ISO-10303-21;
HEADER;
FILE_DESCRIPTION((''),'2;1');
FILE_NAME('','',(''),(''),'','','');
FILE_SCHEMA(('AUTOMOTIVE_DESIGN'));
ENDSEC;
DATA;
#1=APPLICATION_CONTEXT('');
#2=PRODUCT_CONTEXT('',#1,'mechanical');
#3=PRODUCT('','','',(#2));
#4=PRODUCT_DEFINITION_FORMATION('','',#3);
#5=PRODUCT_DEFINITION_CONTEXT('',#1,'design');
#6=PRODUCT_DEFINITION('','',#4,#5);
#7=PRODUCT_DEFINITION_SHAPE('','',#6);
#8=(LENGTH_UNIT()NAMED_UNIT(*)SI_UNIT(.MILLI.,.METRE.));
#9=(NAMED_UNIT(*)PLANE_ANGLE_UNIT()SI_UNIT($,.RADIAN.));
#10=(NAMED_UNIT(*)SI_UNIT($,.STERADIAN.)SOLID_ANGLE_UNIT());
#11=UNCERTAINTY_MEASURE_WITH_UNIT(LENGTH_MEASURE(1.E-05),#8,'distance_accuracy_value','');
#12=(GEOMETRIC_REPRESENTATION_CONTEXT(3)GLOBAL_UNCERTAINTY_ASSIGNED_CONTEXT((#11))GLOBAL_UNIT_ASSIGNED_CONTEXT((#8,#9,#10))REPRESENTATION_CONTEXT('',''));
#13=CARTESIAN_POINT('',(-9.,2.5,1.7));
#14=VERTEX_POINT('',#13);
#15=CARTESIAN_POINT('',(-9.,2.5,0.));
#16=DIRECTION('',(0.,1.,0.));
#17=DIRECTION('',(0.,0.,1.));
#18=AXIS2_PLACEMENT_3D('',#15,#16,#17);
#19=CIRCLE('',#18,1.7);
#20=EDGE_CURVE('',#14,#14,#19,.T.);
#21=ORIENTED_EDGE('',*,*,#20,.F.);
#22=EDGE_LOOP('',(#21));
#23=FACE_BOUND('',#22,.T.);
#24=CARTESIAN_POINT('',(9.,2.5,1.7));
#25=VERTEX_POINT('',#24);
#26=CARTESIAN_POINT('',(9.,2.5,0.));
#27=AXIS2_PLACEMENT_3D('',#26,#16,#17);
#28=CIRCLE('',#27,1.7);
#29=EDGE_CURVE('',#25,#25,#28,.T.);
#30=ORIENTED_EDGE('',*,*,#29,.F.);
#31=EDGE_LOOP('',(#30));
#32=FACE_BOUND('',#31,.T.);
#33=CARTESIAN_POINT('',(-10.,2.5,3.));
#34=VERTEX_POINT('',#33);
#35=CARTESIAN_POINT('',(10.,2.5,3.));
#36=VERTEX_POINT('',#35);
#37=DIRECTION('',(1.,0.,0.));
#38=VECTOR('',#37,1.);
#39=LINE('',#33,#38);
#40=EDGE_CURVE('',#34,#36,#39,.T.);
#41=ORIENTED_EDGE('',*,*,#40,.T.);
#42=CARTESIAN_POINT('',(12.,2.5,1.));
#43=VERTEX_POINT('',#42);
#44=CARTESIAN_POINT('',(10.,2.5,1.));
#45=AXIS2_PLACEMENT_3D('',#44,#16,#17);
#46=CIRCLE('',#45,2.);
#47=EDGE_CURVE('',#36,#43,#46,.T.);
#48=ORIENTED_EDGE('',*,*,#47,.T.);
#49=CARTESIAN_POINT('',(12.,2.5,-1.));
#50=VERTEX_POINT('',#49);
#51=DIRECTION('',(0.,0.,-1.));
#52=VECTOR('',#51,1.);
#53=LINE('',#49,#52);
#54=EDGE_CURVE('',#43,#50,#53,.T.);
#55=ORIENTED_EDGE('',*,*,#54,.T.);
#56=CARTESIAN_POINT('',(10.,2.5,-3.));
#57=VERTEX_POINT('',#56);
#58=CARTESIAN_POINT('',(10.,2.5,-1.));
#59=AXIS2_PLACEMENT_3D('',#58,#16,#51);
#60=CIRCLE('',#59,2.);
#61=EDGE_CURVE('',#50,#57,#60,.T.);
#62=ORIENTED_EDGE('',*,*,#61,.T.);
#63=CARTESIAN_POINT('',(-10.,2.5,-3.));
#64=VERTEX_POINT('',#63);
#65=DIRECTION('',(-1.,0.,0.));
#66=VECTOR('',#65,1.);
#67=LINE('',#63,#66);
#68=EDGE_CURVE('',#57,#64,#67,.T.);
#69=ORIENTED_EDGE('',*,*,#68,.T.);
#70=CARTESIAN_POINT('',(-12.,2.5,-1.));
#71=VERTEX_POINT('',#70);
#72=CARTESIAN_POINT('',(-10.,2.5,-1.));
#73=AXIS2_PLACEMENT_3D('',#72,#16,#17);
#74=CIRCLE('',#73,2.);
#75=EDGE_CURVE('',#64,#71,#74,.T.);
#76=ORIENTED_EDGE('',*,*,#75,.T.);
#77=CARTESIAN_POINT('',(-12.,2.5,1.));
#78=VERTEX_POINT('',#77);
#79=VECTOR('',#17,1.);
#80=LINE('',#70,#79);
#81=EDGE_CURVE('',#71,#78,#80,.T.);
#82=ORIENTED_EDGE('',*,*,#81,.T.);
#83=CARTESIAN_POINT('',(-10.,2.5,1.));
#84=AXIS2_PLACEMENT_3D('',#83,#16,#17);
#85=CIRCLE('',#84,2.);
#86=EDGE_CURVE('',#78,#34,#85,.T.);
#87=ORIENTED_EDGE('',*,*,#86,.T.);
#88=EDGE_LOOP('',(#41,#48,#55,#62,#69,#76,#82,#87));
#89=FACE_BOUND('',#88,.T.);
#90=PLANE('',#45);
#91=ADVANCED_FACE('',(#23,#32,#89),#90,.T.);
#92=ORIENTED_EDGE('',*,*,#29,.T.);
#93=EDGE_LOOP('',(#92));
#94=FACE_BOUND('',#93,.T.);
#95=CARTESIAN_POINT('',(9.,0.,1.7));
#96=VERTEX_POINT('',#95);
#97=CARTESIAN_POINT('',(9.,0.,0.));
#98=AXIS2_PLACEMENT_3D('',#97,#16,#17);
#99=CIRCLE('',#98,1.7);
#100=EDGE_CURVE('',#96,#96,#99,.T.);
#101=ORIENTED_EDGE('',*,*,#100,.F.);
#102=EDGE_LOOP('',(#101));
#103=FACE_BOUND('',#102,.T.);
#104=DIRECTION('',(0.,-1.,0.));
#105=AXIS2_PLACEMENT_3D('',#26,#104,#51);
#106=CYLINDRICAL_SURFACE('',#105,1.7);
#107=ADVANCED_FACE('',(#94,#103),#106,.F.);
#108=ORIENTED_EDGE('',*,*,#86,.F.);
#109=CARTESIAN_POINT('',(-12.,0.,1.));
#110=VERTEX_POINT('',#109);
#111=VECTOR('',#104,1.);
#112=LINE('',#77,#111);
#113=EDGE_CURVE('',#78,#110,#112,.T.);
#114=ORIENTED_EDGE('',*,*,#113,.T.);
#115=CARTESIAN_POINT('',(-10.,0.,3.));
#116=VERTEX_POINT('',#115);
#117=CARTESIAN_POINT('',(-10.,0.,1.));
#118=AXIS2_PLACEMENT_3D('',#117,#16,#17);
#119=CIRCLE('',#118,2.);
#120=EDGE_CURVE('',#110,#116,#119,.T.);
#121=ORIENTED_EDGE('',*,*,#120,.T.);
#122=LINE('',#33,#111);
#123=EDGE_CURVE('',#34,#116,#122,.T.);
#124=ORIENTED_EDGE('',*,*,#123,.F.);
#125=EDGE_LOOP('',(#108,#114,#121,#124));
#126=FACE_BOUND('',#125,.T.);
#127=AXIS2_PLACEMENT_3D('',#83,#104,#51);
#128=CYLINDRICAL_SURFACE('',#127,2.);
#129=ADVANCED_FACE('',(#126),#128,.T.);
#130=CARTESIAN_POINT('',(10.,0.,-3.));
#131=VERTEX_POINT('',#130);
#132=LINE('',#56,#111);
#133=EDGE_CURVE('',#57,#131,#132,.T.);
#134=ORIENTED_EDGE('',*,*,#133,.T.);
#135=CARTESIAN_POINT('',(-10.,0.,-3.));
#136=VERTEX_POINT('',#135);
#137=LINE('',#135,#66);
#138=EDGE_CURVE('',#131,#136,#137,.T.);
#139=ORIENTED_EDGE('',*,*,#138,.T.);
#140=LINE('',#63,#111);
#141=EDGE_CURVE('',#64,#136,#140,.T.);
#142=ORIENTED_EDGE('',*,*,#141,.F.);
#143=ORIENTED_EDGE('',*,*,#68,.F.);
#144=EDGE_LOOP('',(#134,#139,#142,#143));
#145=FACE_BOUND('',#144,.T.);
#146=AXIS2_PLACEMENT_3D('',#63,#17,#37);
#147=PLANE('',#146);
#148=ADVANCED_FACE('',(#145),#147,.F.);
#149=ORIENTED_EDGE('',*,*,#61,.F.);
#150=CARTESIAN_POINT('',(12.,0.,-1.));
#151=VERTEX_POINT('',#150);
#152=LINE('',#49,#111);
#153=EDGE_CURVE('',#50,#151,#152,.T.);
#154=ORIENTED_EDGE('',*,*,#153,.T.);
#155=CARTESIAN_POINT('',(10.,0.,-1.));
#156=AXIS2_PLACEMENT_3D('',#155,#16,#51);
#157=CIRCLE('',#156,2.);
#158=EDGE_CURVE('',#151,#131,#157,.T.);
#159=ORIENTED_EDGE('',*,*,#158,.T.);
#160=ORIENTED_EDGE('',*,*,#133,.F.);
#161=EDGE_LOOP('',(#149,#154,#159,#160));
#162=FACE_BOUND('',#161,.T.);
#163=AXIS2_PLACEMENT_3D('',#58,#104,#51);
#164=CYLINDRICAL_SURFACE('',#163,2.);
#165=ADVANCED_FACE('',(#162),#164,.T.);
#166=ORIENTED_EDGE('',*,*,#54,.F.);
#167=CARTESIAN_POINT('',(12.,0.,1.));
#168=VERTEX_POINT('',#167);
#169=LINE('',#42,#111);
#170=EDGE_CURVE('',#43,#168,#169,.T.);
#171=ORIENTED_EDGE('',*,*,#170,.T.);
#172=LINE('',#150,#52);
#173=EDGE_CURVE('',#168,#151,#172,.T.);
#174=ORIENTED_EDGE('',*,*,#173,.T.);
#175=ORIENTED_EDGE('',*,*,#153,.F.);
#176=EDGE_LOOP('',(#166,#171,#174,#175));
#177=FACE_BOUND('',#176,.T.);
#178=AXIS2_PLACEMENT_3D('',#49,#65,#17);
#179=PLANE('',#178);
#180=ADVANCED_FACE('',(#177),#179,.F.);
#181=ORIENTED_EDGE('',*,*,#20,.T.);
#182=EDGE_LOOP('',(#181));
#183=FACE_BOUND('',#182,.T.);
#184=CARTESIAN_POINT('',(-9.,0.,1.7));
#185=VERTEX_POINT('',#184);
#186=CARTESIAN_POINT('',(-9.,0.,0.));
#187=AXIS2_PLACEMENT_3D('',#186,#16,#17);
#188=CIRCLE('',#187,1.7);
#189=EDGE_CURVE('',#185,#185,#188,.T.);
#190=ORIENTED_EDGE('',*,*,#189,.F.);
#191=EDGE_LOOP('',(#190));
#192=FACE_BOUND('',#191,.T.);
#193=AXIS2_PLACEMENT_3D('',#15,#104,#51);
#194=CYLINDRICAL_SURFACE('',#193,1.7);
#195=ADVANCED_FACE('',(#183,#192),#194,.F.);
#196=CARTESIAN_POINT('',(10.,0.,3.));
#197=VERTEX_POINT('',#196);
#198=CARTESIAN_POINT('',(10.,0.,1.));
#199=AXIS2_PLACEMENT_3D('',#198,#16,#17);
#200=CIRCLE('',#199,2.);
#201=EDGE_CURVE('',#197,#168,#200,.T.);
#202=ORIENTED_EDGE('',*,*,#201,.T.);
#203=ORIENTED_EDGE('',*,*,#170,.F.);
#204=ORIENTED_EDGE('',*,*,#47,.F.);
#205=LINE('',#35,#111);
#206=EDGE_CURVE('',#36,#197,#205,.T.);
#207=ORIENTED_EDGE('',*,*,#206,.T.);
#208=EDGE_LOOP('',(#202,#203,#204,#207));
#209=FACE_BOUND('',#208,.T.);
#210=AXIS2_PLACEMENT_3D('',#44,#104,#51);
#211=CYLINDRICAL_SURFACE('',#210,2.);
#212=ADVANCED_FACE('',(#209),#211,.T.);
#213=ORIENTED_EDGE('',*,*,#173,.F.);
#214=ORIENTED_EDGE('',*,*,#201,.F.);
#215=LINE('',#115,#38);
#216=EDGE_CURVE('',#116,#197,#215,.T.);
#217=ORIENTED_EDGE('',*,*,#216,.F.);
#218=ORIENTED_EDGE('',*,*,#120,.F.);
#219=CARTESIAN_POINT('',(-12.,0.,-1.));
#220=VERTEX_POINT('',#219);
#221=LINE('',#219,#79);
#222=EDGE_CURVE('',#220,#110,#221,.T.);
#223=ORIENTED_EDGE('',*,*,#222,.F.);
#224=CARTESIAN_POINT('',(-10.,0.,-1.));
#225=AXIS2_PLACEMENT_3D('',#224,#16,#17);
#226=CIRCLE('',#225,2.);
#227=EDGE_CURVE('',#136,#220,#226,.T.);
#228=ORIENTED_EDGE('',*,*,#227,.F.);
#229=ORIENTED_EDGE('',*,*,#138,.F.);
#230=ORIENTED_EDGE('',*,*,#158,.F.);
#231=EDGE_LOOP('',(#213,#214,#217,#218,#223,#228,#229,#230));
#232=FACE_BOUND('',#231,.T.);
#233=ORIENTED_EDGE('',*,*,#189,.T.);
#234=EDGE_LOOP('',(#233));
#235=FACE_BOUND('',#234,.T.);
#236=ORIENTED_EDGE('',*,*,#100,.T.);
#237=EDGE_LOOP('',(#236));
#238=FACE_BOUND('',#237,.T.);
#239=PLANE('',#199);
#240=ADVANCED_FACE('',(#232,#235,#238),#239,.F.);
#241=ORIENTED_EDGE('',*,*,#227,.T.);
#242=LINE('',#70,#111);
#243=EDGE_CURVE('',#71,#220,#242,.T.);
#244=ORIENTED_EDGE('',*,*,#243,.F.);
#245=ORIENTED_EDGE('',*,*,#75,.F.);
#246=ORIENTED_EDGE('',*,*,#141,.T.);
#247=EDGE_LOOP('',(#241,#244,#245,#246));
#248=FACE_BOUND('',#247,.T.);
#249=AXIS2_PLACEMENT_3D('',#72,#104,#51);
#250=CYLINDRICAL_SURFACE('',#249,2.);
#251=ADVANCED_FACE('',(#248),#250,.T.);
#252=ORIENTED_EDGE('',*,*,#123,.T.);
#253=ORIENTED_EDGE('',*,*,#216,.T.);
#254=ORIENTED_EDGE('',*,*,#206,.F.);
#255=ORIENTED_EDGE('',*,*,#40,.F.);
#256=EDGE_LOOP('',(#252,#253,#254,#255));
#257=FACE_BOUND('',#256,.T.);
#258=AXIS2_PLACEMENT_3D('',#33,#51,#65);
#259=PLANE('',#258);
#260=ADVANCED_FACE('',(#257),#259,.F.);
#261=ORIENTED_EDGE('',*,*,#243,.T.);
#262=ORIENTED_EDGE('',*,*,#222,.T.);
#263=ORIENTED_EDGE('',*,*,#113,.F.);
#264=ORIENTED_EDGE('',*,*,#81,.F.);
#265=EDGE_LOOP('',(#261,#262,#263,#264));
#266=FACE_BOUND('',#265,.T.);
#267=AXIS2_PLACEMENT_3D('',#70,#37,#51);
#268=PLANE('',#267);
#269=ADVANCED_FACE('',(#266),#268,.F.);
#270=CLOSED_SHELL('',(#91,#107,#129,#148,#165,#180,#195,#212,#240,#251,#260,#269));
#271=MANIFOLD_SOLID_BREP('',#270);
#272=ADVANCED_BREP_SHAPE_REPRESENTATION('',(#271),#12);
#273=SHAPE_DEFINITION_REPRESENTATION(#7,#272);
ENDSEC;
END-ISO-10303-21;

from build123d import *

# Parameters (mm, degrees)
SKETCH_1_R      = 1.7
EXTRUDE_1_DEPTH = 2.5


with BuildPart() as part:
    # 草图1 → 凸台-拉伸1 (new body)
    with BuildSketch(Plane(origin=(0, 0, 0), x_dir=(1, 0, 0), z_dir=(0, 1, 0))):
        with BuildLine():
            Line((-10, 3), (10, 3))
            ThreePointArc((10, 3), (11.414213562, 2.414213562), (12, 1))
            Line((12, 1), (12, -1))
            ThreePointArc((12, -1), (11.414213562, -2.414213562), (10, -3))
            Line((10, -3), (-10, -3))
            ThreePointArc((-10, -3), (-11.414213562, -2.414213562), (-12, -1))
            Line((-12, -1), (-12, 1))
            ThreePointArc((-12, 1), (-11.414213562, 2.414213562), (-10, 3))
        make_face()
        with Locations(Location((-9, 0, 0), (0, 0, 270))):
            Circle(SKETCH_1_R, mode=Mode.SUBTRACT)
        with Locations(Location((9, 0, 0), (0, 0, 270))):
            Circle(SKETCH_1_R, mode=Mode.SUBTRACT)
    extrude(amount=EXTRUDE_1_DEPTH)


solid = part.part
